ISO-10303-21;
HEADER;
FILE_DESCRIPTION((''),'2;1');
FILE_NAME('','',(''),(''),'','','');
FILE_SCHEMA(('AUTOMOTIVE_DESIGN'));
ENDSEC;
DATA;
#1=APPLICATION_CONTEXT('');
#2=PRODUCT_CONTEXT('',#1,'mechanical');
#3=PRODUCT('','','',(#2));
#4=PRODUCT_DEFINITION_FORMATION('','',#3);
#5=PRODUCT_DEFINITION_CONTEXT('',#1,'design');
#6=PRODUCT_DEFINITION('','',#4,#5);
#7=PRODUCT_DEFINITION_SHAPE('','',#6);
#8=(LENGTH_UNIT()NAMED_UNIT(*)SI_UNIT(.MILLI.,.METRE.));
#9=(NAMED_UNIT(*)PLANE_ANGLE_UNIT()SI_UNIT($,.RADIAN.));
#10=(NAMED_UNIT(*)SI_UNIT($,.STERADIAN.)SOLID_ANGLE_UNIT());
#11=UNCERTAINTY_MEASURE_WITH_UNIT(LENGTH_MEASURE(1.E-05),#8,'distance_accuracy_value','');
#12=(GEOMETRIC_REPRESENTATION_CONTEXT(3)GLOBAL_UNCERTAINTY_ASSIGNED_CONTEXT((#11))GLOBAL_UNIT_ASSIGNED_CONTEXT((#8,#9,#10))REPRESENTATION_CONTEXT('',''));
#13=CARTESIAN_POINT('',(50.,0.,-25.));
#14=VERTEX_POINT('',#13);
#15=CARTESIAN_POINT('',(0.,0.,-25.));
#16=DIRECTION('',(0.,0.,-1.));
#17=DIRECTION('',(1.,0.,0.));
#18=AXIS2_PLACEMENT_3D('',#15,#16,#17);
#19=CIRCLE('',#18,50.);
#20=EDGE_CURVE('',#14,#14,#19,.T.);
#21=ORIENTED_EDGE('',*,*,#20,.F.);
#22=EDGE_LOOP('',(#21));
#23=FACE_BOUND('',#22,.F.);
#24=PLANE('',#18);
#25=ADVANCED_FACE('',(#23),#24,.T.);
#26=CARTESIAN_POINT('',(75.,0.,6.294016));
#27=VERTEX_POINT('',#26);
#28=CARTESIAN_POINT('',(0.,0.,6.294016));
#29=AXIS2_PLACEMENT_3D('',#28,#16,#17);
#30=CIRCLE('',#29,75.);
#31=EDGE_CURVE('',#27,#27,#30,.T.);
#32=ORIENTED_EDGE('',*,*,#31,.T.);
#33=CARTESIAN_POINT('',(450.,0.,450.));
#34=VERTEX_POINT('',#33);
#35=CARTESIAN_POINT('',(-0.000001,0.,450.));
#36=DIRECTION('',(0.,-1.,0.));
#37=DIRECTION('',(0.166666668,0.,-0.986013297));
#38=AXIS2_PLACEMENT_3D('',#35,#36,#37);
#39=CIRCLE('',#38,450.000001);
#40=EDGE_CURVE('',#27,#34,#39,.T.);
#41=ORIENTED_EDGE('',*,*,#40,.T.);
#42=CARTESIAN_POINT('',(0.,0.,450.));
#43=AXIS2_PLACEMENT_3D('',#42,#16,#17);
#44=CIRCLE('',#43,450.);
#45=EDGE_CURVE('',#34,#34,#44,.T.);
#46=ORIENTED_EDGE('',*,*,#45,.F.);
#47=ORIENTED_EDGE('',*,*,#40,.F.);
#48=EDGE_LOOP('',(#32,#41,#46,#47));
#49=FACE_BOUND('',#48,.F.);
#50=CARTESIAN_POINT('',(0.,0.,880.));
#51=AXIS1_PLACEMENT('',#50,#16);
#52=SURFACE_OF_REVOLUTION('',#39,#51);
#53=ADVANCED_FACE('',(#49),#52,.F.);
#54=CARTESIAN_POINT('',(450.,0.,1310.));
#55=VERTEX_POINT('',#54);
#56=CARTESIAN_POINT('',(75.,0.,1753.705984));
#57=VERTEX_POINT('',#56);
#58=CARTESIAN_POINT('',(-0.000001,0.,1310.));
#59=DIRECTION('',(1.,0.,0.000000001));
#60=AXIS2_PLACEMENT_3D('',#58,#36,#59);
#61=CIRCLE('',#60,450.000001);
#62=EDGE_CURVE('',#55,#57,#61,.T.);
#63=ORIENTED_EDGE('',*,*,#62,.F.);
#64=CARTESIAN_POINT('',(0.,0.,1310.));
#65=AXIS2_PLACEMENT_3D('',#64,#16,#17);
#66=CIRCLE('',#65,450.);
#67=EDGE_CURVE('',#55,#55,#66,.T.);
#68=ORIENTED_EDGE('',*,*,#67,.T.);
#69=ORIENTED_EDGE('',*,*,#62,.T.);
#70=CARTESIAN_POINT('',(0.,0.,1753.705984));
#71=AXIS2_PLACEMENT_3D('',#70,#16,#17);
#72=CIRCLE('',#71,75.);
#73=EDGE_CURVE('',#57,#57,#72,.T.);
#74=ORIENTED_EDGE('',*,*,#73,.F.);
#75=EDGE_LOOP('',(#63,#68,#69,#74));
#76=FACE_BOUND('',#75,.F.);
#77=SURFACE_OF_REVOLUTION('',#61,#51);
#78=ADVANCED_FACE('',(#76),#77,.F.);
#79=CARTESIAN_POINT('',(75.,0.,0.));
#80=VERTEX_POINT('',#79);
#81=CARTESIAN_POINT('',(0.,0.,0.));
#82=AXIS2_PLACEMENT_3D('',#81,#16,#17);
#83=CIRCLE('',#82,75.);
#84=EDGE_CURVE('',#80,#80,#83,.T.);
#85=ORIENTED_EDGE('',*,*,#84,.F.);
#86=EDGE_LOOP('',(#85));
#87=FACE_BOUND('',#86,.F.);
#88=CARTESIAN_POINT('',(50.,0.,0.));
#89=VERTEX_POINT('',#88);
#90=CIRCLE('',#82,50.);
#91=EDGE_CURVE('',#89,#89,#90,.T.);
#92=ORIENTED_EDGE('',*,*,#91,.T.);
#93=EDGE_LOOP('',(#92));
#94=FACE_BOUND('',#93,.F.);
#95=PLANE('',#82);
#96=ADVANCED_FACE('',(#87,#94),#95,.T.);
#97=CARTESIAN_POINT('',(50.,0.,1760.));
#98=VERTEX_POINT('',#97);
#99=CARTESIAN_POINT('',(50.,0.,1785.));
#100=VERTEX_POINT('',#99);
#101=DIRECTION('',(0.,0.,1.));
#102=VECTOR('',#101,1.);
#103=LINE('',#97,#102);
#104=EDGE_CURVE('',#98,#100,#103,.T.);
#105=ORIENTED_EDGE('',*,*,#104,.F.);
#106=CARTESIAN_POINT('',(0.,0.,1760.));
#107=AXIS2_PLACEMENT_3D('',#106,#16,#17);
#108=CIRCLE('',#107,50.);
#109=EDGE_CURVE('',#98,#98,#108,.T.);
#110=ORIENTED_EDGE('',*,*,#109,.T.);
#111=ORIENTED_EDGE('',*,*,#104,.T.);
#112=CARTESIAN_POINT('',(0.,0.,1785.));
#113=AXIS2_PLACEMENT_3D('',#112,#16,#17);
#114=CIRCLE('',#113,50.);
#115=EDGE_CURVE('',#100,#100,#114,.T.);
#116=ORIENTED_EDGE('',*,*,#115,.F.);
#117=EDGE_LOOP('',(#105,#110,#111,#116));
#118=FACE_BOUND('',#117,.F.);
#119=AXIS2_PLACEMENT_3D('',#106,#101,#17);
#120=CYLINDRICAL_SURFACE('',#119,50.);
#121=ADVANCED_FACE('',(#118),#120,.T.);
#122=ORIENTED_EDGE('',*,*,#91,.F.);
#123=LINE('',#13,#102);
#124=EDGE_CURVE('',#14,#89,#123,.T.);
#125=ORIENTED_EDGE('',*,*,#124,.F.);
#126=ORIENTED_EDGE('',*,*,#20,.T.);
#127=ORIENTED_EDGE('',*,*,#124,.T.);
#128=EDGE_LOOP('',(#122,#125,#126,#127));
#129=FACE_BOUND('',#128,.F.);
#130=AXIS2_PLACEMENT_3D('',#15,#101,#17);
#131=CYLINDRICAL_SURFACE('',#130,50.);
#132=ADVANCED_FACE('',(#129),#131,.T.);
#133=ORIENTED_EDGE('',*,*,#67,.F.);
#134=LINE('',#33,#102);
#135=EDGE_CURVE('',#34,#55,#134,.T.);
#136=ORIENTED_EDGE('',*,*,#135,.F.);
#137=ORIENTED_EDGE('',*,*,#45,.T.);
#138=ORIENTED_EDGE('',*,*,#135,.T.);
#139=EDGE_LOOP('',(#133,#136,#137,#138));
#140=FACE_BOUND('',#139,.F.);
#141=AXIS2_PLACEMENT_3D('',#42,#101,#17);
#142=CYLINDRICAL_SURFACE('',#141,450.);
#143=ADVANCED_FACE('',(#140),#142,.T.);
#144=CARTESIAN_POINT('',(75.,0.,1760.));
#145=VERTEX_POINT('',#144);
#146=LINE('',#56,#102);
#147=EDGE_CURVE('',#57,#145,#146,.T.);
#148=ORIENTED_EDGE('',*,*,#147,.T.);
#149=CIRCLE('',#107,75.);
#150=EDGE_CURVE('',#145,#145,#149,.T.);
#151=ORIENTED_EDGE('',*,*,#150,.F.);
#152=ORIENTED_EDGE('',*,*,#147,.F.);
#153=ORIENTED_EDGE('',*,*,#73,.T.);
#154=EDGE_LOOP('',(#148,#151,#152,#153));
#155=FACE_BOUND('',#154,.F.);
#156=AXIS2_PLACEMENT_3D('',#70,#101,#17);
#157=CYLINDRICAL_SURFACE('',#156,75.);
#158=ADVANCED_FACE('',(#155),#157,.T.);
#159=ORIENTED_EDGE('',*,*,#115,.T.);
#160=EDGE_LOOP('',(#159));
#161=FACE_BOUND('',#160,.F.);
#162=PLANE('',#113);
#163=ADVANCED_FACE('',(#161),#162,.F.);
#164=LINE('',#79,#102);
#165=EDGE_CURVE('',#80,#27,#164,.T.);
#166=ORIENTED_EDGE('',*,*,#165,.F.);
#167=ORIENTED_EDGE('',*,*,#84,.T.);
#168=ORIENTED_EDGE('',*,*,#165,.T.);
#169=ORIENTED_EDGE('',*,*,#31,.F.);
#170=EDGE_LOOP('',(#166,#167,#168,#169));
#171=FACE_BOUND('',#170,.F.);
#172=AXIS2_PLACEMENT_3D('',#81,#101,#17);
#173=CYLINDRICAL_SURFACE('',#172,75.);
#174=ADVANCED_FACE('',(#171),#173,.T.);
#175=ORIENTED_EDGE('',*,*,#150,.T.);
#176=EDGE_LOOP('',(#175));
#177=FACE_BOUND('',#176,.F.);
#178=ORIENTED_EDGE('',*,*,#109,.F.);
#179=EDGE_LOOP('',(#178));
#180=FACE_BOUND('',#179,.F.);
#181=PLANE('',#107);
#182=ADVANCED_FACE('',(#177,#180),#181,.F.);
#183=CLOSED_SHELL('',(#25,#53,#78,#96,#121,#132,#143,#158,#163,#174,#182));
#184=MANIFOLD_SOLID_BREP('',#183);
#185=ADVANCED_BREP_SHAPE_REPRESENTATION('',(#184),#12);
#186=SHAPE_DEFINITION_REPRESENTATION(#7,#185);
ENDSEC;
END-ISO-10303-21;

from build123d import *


with BuildPart() as f1:
    # F0 (on Front) → F1 (revolve)
    with BuildSketch(Plane.XZ):
        with BuildLine():
            Line((75, 0), (75, 6.294016))
            ThreePointArc((75, 6.294016), (343.693177, 159.526249), (450, 450))
            Line((450, 450), (450, 1310))
            ThreePointArc((450, 1310), (343.693177, 1600.473751), (75, 1753.705984))
            Line((75, 1753.705984), (75, 1760))
            Line((75, 1760), (50, 1760))
            Line((50, 1760), (50, 1785))
            Line((50, 1785), (0, 1785))
            Line((0, 1785), (0, 1760))
            Line((0, 1760), (0, 0))
            Line((0, 0), (0, -25))
            Line((0, -25), (50, -25))
            Line((50, -25), (50, 0))
            Line((50, 0), (75, 0))
        make_face()
    revolve(axis=Axis((0, 0, 880), (0, 0, -1)))


solid = f1.part
